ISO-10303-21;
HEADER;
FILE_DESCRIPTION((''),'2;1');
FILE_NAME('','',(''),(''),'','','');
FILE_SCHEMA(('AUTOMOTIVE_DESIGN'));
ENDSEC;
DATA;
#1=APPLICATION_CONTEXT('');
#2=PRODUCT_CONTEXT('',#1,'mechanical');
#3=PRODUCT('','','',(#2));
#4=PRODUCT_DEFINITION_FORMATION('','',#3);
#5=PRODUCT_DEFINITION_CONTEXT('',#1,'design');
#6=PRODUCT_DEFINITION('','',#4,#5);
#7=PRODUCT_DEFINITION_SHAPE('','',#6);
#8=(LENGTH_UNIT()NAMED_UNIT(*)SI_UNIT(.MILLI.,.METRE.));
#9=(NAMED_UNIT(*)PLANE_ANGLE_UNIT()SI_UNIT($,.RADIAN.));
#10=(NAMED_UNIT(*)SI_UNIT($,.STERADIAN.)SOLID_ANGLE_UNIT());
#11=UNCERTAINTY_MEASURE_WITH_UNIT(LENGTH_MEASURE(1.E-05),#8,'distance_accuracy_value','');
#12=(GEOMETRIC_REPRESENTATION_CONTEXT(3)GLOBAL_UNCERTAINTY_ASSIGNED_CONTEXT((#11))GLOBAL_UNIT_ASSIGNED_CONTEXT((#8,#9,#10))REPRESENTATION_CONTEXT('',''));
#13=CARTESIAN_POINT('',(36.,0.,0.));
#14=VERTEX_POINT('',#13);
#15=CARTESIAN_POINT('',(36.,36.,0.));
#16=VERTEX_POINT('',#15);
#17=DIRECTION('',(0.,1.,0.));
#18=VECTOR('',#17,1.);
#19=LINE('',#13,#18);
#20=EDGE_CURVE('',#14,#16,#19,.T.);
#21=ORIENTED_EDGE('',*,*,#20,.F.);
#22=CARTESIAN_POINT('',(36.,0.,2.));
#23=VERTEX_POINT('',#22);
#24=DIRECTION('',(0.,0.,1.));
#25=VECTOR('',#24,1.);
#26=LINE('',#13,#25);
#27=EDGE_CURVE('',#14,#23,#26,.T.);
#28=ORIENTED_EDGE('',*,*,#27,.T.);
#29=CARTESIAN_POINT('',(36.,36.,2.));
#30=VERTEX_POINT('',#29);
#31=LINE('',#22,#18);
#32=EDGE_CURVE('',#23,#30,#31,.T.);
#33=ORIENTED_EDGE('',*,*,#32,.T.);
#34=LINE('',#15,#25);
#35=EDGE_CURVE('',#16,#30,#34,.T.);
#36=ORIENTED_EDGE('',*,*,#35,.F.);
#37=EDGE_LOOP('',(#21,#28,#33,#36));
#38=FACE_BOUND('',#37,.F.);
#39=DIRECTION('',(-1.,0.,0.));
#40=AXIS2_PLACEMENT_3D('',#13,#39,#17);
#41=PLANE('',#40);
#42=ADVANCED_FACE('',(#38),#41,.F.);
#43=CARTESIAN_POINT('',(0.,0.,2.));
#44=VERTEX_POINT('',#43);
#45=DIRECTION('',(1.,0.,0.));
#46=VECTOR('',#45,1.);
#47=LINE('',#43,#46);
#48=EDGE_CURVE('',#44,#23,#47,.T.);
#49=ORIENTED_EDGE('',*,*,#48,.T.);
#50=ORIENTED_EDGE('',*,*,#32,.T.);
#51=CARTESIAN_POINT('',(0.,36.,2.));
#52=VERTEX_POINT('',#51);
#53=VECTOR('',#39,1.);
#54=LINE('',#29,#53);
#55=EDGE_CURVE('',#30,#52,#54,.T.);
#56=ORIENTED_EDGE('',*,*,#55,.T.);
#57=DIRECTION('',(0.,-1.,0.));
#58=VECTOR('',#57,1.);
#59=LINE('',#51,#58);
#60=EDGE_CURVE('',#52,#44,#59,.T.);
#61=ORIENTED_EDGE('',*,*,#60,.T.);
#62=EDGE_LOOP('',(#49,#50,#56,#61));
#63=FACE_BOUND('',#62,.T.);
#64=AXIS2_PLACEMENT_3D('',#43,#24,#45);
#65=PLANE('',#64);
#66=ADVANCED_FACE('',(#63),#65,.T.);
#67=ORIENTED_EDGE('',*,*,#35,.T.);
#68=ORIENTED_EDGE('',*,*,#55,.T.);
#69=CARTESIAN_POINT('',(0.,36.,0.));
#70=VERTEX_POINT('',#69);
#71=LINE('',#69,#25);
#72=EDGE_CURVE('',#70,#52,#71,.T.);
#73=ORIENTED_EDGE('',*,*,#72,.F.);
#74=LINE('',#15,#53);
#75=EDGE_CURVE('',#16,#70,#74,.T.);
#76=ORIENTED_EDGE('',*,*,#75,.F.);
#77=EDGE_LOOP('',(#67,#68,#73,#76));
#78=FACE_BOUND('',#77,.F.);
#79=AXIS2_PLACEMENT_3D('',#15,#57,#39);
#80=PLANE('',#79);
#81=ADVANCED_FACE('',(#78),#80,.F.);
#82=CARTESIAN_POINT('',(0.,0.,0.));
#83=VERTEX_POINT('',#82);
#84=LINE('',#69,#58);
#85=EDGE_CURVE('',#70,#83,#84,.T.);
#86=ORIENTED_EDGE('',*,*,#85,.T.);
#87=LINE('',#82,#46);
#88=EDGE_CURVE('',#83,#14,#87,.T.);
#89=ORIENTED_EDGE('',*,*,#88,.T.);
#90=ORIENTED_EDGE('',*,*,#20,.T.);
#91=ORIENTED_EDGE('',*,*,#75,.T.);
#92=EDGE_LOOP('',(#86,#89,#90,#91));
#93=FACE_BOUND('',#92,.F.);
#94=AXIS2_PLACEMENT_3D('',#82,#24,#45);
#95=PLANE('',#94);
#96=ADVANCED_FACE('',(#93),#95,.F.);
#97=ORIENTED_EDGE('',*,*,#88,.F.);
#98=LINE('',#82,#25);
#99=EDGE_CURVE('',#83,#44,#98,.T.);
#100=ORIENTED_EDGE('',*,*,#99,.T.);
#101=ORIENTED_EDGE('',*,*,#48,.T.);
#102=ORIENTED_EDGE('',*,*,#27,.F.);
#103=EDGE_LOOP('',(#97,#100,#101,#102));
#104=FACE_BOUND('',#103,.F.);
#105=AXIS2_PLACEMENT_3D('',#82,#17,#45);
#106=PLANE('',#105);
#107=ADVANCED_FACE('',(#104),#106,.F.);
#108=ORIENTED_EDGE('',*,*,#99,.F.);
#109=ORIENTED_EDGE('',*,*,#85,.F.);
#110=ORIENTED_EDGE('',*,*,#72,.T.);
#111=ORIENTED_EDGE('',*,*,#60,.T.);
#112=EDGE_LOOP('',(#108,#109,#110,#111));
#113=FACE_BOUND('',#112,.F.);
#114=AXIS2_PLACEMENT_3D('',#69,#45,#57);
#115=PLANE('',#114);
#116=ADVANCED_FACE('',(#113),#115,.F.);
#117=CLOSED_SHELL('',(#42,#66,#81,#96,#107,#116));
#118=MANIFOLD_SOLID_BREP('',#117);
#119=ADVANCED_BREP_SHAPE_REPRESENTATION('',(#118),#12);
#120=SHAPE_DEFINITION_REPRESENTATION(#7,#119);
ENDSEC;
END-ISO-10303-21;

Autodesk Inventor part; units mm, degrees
ref_plane "YZ Plane" through (0, 0, 0) normal (1, 0, 0) x (0, 1, 0)
ref_plane "XZ Plane" through (0, 0, 0) normal (0, 1, 0) x (-1, 0, 0)
ref_plane "XY Plane" through (0, 0, 0) normal (0, 0, 1) x (1, 0, 0)
sketch "Sketch1" plane through (0, 0, 0) normal (0, 0, 1) x (1, 0, 0)
  line L0 (0, 0) -> (36, 0)
  line L1 (36, 0) -> (36, 36)
  line L2 (36, 36) -> (0, 36)
  line L3 (0, 36) -> (0, 0)
  dimension "d0" = 36
  dimension "d1" = 36
extrude "Extrusion1" add sketch "Sketch1" along normal blind 2
properties part number "Zijplaat 2"
